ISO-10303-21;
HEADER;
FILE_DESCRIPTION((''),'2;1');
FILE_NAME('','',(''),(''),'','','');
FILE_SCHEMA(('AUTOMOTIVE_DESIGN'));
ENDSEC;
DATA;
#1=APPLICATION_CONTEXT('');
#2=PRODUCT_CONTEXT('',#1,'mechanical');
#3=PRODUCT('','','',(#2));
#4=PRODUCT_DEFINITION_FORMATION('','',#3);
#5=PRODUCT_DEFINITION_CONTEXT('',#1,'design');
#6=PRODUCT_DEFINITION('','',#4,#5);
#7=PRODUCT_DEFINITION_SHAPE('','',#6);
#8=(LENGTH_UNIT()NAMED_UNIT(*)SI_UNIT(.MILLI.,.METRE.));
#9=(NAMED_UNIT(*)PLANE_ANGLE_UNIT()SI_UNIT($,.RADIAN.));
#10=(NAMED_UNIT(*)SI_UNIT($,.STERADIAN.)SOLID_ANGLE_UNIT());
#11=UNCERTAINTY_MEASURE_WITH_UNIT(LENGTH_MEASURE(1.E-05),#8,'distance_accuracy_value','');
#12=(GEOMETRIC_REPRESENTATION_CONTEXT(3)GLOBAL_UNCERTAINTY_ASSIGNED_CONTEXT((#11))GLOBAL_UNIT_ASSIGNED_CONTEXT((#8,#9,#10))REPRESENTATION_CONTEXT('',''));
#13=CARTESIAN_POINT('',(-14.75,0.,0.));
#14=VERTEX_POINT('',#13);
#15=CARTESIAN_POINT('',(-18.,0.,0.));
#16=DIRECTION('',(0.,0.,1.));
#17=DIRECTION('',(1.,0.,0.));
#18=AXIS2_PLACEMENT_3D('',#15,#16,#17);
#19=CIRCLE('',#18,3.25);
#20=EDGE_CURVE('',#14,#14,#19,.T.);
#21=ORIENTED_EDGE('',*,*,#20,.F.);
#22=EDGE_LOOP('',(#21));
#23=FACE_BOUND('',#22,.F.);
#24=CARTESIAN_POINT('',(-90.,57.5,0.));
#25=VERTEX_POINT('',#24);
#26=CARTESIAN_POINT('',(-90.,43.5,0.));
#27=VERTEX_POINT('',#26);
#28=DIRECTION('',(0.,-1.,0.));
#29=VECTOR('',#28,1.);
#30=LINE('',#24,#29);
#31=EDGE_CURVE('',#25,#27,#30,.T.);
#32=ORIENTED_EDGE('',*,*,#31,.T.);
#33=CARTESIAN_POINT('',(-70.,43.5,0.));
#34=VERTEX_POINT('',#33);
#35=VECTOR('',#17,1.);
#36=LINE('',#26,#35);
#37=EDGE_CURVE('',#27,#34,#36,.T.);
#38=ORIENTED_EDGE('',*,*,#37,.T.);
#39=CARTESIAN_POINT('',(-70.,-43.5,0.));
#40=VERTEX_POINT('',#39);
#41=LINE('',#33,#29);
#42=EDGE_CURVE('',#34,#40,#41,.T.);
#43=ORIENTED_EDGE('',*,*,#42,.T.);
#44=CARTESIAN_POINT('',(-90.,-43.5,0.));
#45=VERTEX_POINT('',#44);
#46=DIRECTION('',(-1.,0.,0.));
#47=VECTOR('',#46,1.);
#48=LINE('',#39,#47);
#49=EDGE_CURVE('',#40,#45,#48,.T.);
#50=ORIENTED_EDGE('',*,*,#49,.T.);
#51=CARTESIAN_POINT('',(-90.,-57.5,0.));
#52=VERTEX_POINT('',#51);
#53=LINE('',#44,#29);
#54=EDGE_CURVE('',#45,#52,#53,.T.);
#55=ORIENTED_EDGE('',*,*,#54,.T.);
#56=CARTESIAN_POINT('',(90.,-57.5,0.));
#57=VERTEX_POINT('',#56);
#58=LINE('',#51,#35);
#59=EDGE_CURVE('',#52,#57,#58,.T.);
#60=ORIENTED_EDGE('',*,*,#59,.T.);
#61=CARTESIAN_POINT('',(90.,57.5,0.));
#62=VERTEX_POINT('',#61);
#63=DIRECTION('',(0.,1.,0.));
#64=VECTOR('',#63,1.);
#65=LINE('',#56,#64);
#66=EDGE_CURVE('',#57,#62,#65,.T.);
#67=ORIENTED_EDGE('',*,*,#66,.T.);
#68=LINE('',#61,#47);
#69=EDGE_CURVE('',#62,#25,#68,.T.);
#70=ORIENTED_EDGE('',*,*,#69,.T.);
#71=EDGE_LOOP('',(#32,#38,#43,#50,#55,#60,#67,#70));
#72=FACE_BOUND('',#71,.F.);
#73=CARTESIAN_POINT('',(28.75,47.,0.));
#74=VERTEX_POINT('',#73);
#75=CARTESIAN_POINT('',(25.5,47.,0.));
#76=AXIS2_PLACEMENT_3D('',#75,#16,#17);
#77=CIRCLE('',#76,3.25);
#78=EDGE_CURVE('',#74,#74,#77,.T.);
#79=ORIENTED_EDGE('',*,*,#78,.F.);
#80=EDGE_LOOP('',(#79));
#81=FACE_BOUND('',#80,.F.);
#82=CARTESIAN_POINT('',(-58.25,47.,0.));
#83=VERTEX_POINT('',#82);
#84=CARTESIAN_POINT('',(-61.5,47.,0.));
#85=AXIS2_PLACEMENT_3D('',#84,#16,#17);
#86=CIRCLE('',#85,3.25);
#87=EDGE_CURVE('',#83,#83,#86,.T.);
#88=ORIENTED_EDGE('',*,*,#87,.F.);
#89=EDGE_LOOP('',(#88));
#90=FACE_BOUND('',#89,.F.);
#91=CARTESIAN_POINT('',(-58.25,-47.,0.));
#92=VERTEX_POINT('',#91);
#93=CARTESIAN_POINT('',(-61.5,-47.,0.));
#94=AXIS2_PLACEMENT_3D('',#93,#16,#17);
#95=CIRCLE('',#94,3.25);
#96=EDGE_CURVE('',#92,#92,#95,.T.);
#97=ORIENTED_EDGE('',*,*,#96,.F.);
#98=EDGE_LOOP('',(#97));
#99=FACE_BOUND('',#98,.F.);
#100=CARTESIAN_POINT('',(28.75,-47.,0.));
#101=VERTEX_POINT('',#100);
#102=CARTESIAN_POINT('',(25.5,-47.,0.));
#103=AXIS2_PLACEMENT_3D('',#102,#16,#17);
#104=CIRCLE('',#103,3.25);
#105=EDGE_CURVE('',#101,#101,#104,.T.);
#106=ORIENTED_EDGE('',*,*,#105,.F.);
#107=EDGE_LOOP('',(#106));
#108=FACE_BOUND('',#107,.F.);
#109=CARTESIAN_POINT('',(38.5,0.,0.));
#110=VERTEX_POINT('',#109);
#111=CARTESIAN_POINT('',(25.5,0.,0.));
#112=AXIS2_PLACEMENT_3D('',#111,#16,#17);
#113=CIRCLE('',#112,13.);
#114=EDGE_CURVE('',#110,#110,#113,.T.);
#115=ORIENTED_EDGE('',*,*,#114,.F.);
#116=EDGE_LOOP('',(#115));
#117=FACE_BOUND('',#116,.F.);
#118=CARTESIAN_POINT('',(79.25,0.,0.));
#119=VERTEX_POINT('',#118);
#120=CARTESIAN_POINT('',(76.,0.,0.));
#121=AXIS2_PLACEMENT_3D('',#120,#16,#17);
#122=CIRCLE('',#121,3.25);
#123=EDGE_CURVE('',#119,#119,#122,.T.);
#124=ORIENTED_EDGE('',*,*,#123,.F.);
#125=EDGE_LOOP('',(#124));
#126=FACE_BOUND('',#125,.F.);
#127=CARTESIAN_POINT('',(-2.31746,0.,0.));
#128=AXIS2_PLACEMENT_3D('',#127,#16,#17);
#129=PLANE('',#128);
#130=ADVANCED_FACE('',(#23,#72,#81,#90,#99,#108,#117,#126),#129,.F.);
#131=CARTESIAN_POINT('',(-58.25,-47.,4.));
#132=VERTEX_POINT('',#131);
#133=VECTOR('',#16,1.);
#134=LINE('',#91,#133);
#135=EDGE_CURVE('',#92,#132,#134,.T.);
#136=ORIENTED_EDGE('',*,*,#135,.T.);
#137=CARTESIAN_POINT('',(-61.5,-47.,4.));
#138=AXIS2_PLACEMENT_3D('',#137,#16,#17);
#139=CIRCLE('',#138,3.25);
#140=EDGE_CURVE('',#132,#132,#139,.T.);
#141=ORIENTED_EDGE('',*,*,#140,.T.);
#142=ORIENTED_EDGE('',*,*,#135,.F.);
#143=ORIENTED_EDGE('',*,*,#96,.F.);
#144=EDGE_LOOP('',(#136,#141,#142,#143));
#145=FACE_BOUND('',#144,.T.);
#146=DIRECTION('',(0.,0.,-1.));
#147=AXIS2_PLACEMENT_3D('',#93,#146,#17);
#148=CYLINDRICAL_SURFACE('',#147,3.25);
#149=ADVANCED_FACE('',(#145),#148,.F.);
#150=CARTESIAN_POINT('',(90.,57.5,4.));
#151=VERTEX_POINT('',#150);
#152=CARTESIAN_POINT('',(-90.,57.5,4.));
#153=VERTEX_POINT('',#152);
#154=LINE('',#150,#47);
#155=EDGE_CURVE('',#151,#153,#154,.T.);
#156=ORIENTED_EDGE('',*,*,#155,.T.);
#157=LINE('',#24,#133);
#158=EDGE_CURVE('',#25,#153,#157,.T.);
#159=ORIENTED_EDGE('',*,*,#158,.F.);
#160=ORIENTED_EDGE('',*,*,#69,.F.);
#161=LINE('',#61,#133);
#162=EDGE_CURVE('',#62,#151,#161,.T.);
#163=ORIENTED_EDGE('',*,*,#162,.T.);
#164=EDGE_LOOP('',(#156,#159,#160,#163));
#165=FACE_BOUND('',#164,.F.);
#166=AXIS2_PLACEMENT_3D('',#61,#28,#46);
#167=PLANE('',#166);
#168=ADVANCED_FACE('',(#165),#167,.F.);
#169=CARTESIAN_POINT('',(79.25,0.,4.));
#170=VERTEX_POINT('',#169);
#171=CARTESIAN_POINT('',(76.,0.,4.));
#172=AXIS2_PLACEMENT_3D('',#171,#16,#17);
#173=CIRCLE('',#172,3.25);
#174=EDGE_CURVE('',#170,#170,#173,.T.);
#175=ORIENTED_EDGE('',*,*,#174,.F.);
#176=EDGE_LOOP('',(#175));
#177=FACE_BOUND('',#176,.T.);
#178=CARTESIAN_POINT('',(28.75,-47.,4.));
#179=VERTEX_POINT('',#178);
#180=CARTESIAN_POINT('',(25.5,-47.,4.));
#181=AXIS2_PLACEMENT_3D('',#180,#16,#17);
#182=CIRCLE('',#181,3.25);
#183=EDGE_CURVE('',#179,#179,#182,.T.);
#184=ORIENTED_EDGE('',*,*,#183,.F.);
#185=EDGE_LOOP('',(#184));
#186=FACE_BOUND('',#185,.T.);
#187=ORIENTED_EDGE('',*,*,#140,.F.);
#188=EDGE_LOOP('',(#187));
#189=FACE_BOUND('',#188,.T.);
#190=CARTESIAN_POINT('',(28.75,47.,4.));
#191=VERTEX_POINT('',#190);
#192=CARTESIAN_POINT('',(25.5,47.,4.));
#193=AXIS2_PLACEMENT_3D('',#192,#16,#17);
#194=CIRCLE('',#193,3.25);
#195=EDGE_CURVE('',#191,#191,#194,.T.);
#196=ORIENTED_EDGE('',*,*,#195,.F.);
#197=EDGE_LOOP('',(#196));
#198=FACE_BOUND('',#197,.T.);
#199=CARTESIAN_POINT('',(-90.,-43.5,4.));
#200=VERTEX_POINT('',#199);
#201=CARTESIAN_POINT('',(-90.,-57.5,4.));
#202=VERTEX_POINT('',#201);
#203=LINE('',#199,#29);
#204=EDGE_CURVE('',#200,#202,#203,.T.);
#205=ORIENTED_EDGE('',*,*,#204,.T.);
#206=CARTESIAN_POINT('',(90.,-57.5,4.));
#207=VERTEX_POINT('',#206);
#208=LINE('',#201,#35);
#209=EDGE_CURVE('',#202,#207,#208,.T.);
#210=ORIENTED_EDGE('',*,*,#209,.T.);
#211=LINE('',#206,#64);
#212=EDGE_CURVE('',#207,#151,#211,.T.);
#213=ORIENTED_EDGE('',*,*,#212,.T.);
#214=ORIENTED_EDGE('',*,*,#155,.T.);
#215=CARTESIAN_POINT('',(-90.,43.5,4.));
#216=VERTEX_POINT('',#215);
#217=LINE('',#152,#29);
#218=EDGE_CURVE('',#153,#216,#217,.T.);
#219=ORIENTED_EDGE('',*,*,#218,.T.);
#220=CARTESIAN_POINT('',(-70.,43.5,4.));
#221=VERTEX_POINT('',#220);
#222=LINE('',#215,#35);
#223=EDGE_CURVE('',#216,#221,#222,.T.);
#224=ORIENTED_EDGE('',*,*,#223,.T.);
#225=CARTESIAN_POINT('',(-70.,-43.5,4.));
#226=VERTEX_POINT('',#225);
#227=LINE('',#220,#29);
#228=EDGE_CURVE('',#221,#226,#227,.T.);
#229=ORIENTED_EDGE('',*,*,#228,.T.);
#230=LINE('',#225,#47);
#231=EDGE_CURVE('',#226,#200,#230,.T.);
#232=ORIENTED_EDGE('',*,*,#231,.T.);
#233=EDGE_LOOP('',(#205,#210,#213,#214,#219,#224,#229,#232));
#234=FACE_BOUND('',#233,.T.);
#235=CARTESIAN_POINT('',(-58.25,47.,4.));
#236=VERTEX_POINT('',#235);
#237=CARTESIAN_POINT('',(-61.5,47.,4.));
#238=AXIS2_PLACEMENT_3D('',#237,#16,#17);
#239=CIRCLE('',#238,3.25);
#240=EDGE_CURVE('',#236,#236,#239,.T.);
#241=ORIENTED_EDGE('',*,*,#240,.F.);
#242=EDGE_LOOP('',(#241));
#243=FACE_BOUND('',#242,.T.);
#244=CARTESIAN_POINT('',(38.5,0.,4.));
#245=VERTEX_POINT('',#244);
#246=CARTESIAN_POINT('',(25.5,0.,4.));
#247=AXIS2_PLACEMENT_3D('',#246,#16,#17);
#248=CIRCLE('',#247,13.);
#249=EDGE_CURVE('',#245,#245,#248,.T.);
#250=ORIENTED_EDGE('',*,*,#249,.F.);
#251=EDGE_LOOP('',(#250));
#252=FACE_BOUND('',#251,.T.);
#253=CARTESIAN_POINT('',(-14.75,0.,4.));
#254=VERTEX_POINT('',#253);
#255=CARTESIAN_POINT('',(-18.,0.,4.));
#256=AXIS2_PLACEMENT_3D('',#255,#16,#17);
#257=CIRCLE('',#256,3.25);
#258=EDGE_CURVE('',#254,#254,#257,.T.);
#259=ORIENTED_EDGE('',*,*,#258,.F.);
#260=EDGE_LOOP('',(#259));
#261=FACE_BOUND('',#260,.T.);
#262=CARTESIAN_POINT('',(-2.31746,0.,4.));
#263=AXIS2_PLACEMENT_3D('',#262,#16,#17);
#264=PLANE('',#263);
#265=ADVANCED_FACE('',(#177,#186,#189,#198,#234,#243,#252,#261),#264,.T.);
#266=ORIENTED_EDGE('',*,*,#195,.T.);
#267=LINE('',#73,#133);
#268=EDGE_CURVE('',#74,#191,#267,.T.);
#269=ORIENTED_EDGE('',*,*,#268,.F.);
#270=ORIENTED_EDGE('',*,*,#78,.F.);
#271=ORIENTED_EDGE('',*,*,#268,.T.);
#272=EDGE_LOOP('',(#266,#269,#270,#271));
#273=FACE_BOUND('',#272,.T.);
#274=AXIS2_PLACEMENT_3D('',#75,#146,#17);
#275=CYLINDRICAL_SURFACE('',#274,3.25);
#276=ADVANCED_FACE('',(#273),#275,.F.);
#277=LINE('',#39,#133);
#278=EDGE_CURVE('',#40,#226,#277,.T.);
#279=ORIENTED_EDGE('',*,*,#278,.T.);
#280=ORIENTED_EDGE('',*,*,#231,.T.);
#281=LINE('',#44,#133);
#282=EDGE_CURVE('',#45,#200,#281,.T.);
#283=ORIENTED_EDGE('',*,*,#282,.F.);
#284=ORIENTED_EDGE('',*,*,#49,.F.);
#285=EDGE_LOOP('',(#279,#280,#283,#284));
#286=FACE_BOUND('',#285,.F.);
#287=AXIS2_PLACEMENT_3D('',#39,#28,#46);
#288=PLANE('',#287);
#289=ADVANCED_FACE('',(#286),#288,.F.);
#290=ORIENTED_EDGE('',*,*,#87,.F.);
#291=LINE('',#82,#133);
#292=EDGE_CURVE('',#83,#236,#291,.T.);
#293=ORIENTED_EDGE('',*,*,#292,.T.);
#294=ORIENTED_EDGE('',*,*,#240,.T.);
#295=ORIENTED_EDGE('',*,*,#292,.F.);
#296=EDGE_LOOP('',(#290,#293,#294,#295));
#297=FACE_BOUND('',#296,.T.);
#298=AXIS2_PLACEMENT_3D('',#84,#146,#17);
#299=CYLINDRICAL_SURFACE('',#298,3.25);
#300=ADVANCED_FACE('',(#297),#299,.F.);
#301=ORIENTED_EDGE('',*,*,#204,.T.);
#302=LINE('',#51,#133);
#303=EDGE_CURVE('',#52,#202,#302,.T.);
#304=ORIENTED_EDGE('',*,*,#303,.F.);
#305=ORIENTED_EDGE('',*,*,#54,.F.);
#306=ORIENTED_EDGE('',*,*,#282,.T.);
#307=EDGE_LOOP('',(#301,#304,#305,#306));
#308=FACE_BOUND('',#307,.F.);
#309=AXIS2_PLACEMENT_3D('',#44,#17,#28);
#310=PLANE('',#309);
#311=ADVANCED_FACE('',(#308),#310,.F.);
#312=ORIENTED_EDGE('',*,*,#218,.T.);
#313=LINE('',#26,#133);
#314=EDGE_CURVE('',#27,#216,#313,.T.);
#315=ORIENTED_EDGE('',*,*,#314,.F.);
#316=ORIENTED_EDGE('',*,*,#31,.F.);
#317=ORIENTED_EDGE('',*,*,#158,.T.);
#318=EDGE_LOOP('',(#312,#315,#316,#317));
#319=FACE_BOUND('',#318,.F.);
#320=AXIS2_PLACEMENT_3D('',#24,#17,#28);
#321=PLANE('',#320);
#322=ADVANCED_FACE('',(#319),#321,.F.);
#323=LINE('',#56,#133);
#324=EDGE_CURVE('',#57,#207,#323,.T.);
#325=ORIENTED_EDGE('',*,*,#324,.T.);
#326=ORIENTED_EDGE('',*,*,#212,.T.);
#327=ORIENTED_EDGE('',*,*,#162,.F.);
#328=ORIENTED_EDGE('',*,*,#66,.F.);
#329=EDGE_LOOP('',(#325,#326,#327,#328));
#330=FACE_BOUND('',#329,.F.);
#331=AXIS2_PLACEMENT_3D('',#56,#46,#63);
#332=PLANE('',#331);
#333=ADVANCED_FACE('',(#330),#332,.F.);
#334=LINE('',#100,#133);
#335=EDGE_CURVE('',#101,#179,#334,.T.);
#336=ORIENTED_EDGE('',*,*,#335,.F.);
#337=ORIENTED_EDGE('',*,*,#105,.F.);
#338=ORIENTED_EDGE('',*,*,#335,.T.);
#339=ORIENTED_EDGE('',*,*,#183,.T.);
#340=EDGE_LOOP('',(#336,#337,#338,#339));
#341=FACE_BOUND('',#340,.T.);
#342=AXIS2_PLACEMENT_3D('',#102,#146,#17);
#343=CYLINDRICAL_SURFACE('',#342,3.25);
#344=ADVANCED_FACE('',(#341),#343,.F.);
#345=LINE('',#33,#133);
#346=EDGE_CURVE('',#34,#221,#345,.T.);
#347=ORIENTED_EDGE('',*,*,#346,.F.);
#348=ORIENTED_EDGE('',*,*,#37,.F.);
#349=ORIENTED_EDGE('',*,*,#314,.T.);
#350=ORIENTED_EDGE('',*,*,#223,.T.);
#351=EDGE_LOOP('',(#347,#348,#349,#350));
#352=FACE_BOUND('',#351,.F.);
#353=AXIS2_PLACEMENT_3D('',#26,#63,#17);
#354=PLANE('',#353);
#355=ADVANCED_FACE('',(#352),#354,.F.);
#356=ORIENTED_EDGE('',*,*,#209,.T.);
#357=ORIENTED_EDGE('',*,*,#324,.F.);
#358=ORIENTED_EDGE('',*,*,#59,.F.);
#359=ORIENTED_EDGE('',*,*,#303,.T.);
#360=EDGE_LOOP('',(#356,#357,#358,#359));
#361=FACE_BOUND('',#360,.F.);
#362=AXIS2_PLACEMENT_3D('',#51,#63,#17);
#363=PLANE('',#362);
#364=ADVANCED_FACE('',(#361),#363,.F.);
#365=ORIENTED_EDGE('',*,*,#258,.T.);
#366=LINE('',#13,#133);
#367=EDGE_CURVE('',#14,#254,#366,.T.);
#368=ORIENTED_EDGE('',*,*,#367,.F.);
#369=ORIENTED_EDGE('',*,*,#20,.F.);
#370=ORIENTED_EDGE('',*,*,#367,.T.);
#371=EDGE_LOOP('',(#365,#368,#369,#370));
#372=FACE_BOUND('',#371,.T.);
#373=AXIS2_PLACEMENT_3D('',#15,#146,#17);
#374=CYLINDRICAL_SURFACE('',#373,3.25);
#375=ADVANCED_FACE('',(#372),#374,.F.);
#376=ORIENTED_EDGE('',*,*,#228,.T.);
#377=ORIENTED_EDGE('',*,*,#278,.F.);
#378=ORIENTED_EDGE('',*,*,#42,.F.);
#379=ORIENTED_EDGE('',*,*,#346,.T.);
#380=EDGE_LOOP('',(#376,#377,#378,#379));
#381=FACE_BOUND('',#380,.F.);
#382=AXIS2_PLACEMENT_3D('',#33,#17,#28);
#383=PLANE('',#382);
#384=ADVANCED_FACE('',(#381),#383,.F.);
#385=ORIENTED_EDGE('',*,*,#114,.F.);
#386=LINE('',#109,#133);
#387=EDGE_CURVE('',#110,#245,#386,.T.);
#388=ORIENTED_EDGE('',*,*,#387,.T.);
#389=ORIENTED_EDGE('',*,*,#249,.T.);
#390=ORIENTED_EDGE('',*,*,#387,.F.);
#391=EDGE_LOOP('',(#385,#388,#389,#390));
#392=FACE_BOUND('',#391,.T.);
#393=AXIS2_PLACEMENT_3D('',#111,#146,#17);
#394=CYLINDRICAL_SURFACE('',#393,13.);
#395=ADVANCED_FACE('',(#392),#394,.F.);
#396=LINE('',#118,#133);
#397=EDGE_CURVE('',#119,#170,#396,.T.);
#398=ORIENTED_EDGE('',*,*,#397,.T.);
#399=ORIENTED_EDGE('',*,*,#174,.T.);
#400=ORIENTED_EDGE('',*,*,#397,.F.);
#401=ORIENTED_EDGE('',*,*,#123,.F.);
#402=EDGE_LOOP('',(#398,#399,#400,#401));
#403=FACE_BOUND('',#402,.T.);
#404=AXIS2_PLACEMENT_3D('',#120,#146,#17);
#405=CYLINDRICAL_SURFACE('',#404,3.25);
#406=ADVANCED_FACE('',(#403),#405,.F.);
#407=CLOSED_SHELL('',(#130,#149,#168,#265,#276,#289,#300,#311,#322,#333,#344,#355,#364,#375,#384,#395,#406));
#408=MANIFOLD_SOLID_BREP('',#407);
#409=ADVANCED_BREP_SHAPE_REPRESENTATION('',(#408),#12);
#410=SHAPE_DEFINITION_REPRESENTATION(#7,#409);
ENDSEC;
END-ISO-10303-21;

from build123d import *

# Parameters (mm, degrees)
F0_R     = 3.25
F0_R_2   = 13
F1_DEPTH = 4


with BuildPart() as f1:
    # F0 (on Top) → F1 (new body)
    with BuildSketch(Plane.XY):
        Polygon((90, 57.5), (-90, 57.5), (-90, 43.5), (-70, 43.5), (-70, -43.5), (-90, -43.5), (-90, -57.5), (90, -57.5), align=None)
        with Locations((-61.5, -47)):
            Circle(F0_R, mode=Mode.SUBTRACT)
        with Locations((25.5, -47)):
            Circle(F0_R, mode=Mode.SUBTRACT)
        with Locations((-18, 0)):
            Circle(F0_R, mode=Mode.SUBTRACT)
        with Locations((-61.5, 47)):
            Circle(F0_R, mode=Mode.SUBTRACT)
        with Locations((25.5, 0)):
            Circle(F0_R_2, mode=Mode.SUBTRACT)
        with Locations((76, 0)):
            Circle(F0_R, mode=Mode.SUBTRACT)
        with Locations((25.5, 47)):
            Circle(F0_R, mode=Mode.SUBTRACT)
    extrude(amount=F1_DEPTH)


solid = f1.part
